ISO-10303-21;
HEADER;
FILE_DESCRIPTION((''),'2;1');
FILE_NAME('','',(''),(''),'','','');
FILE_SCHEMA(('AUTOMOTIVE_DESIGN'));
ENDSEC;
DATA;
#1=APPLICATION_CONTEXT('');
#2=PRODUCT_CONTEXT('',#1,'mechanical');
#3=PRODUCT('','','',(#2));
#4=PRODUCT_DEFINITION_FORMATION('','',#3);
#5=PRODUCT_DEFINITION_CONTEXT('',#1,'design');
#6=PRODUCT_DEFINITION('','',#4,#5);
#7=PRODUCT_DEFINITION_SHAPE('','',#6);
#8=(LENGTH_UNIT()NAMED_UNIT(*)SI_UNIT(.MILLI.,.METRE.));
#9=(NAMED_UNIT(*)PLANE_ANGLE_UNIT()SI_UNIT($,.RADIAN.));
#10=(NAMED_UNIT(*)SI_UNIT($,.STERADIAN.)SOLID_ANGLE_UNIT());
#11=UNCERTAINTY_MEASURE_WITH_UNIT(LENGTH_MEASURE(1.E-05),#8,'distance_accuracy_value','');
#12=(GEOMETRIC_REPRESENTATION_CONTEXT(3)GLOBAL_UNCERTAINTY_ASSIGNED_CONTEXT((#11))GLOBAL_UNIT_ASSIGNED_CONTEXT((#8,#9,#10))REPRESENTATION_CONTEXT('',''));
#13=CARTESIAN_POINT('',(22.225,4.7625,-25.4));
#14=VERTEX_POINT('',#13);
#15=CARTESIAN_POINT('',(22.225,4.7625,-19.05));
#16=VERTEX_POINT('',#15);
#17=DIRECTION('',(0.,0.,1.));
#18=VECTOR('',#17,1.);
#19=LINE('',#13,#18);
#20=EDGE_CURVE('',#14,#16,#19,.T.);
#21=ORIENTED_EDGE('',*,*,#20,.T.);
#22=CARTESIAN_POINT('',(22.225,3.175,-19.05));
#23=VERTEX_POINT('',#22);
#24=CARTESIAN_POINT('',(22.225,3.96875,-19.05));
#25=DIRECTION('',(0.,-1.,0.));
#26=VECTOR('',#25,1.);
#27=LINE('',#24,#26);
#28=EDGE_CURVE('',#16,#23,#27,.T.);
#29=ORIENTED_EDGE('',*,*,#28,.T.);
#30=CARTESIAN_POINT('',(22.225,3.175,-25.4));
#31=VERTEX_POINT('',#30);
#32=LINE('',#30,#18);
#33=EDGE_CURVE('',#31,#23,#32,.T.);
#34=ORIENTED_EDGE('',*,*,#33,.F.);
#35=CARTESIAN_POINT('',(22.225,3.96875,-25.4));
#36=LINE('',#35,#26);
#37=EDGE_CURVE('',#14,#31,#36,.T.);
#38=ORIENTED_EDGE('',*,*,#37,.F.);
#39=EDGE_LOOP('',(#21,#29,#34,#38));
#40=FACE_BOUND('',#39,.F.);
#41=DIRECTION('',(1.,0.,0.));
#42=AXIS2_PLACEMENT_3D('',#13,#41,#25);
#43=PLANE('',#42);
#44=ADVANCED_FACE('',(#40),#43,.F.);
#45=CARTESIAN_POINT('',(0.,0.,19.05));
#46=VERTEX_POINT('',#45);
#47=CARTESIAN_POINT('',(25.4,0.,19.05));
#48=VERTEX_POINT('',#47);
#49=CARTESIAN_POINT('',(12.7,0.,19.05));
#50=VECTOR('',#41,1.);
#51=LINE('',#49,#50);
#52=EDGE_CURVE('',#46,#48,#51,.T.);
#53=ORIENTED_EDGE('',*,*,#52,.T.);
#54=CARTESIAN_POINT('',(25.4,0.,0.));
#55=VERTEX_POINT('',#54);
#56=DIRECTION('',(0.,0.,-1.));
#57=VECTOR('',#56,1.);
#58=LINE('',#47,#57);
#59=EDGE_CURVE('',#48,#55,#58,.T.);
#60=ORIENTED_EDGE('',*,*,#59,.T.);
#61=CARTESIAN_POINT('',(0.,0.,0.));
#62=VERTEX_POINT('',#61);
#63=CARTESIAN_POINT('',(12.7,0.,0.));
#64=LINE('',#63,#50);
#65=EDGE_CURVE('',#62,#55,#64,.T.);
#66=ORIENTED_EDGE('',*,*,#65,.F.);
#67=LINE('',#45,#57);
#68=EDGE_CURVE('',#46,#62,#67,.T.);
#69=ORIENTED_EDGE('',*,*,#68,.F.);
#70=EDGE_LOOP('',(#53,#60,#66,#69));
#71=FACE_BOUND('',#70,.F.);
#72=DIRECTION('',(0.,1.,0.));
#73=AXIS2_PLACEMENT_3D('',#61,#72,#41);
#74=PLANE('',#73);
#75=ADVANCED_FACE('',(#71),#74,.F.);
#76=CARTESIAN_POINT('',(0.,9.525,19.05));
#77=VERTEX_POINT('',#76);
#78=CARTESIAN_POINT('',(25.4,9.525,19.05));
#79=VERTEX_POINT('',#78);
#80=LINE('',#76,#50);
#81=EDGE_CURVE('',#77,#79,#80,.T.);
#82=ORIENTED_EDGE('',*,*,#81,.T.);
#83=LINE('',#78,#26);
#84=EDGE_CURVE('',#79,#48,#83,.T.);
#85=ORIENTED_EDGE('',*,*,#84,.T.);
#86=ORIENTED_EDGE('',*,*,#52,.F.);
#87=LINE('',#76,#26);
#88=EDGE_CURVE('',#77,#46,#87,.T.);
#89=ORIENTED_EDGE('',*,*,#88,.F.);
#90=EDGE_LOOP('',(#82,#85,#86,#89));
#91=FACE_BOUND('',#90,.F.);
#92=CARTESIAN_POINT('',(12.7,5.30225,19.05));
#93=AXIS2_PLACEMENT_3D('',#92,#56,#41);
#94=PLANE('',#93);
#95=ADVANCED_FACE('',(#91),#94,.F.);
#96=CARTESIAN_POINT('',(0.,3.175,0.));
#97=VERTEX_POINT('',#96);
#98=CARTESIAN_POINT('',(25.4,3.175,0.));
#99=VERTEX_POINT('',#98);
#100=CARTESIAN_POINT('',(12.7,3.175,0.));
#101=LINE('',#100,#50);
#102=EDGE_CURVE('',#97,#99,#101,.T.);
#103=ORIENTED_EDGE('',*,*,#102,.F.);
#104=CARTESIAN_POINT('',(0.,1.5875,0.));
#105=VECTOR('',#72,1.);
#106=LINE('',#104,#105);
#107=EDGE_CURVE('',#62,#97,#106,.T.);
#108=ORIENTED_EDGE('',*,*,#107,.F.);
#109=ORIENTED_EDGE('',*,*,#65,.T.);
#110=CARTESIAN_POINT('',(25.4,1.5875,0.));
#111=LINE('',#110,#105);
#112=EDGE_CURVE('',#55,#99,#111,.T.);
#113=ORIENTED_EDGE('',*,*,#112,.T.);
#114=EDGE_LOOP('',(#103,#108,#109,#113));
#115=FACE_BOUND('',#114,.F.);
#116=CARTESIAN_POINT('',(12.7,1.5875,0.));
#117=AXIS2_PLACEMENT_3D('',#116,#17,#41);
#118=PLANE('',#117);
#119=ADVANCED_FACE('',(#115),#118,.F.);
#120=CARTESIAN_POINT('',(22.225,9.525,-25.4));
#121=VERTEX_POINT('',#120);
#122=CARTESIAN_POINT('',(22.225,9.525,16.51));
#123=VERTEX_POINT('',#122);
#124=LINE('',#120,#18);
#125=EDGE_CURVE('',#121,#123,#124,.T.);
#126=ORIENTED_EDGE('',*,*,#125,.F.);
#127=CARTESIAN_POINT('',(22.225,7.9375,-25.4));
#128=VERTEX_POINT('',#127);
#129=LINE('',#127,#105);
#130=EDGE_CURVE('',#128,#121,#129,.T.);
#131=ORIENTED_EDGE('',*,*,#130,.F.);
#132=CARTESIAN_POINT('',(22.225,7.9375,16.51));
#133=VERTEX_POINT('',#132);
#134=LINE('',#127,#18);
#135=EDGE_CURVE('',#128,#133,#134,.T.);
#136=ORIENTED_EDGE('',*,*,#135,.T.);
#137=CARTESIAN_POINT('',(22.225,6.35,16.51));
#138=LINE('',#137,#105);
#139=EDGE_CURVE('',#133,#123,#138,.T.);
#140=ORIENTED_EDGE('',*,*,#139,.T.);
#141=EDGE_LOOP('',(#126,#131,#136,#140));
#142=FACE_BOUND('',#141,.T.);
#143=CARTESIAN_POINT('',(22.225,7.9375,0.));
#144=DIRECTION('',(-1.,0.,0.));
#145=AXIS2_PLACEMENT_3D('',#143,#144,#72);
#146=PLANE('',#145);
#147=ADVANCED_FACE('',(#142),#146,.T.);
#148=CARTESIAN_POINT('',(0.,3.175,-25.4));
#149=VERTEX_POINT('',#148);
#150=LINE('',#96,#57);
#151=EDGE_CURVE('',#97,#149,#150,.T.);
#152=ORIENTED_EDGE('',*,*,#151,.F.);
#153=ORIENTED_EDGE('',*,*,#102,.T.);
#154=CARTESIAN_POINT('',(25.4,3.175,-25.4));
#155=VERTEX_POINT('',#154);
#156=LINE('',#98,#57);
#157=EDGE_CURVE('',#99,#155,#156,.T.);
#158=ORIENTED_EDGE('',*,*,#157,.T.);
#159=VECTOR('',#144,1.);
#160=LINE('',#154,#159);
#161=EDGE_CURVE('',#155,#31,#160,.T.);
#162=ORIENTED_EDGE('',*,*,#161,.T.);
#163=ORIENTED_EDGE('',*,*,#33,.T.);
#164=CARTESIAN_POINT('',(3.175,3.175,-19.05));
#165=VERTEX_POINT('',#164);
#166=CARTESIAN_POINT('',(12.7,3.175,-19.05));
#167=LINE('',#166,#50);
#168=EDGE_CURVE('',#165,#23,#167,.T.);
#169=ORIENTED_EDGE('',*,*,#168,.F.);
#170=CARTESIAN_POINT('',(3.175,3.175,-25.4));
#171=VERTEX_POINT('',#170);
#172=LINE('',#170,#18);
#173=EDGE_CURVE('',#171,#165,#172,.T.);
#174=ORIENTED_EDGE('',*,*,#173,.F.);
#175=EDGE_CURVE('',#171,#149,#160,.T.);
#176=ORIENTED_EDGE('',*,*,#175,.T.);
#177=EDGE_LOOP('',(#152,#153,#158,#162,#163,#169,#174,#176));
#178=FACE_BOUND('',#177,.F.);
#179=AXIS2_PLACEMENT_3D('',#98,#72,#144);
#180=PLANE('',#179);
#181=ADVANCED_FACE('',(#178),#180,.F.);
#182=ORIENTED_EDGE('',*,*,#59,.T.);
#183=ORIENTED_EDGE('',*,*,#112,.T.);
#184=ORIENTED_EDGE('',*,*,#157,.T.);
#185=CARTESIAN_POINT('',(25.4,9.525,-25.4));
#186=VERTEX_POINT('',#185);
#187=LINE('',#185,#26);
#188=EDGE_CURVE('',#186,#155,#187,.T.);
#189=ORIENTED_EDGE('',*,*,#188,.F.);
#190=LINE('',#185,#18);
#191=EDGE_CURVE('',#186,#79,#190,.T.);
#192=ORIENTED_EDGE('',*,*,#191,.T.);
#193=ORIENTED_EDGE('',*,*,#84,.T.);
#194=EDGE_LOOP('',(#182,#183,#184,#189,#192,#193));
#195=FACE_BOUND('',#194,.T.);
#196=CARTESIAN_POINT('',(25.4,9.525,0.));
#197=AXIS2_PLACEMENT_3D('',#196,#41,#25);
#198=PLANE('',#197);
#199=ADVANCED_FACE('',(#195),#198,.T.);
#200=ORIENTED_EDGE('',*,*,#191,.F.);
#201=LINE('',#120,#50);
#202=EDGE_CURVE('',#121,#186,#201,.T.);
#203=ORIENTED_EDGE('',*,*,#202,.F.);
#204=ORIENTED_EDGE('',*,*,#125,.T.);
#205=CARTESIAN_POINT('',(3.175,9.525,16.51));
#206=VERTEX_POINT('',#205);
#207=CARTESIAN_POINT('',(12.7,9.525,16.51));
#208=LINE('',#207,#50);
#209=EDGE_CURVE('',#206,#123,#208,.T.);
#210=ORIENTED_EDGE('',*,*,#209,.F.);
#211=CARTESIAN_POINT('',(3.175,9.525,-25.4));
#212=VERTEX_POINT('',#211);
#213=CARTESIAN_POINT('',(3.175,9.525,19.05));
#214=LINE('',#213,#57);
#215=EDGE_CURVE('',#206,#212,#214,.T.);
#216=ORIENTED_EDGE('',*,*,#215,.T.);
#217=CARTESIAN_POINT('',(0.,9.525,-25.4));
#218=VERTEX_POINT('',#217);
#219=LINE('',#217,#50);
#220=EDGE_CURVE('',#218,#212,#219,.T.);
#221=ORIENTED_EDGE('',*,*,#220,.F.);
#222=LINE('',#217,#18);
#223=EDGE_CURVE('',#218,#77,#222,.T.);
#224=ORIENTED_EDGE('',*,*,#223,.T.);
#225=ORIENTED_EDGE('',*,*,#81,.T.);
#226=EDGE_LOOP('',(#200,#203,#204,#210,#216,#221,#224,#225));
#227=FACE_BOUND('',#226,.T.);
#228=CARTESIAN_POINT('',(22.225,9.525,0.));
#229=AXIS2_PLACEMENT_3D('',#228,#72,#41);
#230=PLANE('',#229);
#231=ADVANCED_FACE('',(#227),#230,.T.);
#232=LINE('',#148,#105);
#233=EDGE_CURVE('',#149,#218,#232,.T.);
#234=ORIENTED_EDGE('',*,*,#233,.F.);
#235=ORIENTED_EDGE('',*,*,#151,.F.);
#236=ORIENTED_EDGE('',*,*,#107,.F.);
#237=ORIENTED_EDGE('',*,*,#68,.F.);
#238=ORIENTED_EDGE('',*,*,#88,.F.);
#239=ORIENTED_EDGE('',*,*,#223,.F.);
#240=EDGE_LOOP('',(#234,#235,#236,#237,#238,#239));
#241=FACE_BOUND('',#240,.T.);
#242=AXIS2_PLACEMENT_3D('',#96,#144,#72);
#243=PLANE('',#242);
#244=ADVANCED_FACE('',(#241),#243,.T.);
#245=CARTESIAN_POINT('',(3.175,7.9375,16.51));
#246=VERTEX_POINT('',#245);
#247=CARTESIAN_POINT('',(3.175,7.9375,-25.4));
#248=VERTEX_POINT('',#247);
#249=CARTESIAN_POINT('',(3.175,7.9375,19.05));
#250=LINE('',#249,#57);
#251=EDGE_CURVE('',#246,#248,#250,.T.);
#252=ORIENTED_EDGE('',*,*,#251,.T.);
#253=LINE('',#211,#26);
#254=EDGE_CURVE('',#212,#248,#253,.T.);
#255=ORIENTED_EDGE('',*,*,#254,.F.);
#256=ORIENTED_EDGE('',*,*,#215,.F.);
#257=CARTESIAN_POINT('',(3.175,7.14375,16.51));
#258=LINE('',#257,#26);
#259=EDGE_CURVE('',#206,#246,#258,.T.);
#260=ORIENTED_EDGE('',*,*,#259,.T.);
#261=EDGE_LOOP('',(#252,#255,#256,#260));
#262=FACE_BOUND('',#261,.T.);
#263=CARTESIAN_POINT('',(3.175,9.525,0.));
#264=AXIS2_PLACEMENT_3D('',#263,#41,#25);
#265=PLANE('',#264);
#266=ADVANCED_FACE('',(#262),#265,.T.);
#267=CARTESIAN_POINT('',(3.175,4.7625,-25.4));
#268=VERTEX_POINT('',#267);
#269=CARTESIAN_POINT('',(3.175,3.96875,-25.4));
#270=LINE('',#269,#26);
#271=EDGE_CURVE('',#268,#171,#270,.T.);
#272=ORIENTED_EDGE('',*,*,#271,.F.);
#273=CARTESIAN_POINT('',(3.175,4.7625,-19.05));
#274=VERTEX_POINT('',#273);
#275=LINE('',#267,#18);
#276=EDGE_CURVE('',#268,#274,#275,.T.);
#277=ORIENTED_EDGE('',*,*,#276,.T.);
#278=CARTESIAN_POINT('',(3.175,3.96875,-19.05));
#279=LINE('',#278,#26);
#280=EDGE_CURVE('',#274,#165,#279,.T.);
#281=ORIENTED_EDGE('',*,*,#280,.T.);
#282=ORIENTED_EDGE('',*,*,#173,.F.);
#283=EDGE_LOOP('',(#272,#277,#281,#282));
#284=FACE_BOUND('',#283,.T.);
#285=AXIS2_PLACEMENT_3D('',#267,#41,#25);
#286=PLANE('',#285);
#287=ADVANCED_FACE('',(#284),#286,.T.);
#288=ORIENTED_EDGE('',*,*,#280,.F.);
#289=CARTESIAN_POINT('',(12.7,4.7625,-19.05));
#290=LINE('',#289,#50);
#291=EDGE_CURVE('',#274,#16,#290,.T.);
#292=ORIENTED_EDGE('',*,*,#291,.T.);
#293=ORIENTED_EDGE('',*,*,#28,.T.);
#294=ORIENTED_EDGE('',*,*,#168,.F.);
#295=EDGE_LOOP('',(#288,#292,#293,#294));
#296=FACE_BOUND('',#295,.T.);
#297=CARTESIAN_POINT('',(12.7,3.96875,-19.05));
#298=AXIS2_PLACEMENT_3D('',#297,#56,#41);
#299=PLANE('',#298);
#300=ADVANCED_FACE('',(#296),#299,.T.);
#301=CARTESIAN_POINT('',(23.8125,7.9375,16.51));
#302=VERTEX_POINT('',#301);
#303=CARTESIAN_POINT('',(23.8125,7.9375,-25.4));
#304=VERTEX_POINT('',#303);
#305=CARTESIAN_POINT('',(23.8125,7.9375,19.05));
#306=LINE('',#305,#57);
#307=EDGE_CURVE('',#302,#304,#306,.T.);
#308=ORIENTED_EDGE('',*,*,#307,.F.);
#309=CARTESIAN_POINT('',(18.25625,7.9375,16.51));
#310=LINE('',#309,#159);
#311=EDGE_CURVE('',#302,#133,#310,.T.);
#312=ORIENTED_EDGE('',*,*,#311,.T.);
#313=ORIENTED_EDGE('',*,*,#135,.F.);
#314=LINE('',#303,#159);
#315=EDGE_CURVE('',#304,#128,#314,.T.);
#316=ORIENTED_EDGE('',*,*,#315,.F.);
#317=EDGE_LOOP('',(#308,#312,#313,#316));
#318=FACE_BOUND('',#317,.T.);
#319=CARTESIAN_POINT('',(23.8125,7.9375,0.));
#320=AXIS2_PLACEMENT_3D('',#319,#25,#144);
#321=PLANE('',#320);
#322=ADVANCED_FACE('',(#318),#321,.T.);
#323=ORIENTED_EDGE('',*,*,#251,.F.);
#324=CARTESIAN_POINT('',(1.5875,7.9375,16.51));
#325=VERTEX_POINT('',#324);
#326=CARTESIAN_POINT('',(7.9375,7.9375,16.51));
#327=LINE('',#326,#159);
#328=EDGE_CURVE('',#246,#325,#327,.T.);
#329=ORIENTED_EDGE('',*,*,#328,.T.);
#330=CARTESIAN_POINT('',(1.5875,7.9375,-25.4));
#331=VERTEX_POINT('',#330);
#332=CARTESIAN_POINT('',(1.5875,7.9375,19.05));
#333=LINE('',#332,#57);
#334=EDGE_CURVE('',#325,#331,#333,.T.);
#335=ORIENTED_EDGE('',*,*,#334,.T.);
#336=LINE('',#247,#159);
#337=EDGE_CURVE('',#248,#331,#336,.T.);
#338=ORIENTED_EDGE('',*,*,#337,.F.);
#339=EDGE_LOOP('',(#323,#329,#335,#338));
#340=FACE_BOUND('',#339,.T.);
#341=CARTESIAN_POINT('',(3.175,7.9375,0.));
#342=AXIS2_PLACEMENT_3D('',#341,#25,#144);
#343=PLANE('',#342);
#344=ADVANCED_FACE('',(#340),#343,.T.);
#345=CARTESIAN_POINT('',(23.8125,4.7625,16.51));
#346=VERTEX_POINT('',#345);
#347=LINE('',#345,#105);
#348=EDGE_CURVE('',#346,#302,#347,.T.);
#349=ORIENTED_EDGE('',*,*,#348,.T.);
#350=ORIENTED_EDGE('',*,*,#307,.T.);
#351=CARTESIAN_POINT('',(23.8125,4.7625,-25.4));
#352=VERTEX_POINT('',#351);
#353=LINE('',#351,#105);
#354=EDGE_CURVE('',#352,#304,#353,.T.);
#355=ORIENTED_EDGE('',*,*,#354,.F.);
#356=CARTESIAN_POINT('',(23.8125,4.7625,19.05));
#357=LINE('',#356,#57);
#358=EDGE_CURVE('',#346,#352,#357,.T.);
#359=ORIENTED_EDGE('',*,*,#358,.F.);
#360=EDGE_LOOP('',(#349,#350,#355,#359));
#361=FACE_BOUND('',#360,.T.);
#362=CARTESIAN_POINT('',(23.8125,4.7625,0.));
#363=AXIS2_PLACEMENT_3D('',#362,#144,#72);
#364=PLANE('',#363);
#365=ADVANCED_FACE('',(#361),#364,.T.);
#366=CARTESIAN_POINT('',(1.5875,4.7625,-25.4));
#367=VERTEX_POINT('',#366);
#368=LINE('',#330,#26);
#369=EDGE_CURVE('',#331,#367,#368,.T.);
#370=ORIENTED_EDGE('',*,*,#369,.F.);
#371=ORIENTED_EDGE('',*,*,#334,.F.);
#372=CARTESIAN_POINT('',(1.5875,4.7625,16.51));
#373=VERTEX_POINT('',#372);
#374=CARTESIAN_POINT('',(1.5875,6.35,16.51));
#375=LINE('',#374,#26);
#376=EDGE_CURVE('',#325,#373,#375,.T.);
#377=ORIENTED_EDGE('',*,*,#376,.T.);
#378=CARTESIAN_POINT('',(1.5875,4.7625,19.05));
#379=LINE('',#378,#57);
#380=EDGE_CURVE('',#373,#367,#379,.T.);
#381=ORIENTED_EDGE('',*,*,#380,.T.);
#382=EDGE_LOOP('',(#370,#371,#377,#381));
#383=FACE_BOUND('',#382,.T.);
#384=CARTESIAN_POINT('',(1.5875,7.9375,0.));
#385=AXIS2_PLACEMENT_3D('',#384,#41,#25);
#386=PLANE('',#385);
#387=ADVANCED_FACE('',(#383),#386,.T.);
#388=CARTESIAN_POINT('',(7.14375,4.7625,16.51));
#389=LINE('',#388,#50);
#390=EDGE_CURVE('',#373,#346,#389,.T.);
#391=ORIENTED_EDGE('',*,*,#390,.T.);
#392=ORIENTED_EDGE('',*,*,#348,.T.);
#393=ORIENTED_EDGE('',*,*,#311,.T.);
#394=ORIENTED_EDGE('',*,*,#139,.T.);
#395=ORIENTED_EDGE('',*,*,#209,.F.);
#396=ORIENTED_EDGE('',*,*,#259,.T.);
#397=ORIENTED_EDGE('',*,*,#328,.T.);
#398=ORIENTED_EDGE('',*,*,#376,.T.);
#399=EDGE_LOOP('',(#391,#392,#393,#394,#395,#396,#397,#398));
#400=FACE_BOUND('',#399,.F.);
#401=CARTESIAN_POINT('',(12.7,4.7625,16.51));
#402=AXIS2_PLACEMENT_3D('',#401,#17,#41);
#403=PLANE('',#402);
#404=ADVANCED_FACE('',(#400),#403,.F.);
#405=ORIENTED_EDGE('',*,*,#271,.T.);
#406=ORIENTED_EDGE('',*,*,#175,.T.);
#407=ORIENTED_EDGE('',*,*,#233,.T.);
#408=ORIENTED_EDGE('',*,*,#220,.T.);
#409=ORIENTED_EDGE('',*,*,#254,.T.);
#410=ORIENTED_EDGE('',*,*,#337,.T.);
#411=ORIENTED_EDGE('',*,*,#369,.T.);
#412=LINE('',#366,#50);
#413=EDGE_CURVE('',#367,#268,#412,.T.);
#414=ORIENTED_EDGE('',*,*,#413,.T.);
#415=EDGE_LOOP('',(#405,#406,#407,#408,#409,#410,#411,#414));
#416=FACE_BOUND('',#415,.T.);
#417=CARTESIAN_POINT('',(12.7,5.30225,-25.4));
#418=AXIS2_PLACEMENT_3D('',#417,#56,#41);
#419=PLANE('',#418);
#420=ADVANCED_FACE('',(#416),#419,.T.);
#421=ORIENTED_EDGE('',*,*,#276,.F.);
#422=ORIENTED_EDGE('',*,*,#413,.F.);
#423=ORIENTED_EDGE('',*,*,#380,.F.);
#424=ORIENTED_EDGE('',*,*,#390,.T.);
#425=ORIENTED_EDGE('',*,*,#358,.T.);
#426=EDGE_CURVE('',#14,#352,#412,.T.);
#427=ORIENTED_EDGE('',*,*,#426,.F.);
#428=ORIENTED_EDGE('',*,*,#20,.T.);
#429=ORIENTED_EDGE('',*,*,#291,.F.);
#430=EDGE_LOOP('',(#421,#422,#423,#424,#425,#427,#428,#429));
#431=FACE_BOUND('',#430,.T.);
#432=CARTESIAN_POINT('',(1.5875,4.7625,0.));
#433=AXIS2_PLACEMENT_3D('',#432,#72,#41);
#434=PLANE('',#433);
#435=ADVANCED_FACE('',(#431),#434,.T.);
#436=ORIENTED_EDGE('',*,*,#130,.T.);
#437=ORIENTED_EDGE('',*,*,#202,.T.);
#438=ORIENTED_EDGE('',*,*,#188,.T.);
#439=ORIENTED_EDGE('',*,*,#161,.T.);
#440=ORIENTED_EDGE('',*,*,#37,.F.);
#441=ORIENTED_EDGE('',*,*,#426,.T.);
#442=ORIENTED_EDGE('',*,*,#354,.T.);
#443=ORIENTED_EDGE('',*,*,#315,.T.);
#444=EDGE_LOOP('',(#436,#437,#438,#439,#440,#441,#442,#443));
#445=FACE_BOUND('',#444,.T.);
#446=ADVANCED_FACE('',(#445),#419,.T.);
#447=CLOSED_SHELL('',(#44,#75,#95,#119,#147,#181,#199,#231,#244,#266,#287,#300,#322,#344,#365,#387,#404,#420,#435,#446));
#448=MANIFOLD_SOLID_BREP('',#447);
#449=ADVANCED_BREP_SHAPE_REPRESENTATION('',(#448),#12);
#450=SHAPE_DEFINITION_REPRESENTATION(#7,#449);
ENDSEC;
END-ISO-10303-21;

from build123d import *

# Parameters (mm, degrees)
F0_W          = 25.4
F0_H          = 3.175
F1_DEPTH      = 19.05
F3_DEPTH      = 25.4
F3_DEPTH_BACK = 19.05
F4_W          = 25.4
F4_H          = 9.525
F5_DEPTH      = 2.54
F6_W          = 19.05
F6_H          = 1.5875
F7_DEPTH      = 6.35


with BuildPart() as f1:
    # F0 (on Top) → F1 (new body)
    with BuildSketch(Plane.XY):
        with Locations((12.7, 1.5875)):
            Rectangle(F0_W, F0_H)
    extrude(amount=F1_DEPTH)

    # F2 (on face) → F3 (join, two sides)
    with BuildSketch(Plane(origin=(0, 0, 0), x_dir=(1, 0, 0), z_dir=(0, 0, -1))) as f3_sk:
        Polygon((25.4, -9.525), (25.4, -3.175), (0, -3.175), (0, -9.525), (1.5875, -9.525), (3.175, -9.525), (3.175, -7.9375), (1.5875, -7.9375), (1.5875, -4.7625), (23.8125, -4.7625), (23.8125, -7.9375), (22.225, -7.9375), (22.225, -9.525), (23.8125, -9.525), align=None)
    extrude(amount=F3_DEPTH)
    extrude(f3_sk.sketch, amount=-F3_DEPTH_BACK)

    # F4 (on face) → F5 (join)
    with BuildSketch(Plane.XY.offset(19.05)):
        with Locations((12.7, 4.7625)):
            Rectangle(F4_W, F4_H)
    extrude(amount=-F5_DEPTH)

    # F6 (on face) → F7 (cut)
    with BuildSketch(Plane(origin=(0, 0, -25.4), x_dir=(1, 0, 0), z_dir=(0, 0, -1))):
        with Locations((12.7, -3.96875)):
            Rectangle(F6_W, F6_H)
    extrude(amount=-F7_DEPTH, mode=Mode.SUBTRACT)


solid = f1.part
